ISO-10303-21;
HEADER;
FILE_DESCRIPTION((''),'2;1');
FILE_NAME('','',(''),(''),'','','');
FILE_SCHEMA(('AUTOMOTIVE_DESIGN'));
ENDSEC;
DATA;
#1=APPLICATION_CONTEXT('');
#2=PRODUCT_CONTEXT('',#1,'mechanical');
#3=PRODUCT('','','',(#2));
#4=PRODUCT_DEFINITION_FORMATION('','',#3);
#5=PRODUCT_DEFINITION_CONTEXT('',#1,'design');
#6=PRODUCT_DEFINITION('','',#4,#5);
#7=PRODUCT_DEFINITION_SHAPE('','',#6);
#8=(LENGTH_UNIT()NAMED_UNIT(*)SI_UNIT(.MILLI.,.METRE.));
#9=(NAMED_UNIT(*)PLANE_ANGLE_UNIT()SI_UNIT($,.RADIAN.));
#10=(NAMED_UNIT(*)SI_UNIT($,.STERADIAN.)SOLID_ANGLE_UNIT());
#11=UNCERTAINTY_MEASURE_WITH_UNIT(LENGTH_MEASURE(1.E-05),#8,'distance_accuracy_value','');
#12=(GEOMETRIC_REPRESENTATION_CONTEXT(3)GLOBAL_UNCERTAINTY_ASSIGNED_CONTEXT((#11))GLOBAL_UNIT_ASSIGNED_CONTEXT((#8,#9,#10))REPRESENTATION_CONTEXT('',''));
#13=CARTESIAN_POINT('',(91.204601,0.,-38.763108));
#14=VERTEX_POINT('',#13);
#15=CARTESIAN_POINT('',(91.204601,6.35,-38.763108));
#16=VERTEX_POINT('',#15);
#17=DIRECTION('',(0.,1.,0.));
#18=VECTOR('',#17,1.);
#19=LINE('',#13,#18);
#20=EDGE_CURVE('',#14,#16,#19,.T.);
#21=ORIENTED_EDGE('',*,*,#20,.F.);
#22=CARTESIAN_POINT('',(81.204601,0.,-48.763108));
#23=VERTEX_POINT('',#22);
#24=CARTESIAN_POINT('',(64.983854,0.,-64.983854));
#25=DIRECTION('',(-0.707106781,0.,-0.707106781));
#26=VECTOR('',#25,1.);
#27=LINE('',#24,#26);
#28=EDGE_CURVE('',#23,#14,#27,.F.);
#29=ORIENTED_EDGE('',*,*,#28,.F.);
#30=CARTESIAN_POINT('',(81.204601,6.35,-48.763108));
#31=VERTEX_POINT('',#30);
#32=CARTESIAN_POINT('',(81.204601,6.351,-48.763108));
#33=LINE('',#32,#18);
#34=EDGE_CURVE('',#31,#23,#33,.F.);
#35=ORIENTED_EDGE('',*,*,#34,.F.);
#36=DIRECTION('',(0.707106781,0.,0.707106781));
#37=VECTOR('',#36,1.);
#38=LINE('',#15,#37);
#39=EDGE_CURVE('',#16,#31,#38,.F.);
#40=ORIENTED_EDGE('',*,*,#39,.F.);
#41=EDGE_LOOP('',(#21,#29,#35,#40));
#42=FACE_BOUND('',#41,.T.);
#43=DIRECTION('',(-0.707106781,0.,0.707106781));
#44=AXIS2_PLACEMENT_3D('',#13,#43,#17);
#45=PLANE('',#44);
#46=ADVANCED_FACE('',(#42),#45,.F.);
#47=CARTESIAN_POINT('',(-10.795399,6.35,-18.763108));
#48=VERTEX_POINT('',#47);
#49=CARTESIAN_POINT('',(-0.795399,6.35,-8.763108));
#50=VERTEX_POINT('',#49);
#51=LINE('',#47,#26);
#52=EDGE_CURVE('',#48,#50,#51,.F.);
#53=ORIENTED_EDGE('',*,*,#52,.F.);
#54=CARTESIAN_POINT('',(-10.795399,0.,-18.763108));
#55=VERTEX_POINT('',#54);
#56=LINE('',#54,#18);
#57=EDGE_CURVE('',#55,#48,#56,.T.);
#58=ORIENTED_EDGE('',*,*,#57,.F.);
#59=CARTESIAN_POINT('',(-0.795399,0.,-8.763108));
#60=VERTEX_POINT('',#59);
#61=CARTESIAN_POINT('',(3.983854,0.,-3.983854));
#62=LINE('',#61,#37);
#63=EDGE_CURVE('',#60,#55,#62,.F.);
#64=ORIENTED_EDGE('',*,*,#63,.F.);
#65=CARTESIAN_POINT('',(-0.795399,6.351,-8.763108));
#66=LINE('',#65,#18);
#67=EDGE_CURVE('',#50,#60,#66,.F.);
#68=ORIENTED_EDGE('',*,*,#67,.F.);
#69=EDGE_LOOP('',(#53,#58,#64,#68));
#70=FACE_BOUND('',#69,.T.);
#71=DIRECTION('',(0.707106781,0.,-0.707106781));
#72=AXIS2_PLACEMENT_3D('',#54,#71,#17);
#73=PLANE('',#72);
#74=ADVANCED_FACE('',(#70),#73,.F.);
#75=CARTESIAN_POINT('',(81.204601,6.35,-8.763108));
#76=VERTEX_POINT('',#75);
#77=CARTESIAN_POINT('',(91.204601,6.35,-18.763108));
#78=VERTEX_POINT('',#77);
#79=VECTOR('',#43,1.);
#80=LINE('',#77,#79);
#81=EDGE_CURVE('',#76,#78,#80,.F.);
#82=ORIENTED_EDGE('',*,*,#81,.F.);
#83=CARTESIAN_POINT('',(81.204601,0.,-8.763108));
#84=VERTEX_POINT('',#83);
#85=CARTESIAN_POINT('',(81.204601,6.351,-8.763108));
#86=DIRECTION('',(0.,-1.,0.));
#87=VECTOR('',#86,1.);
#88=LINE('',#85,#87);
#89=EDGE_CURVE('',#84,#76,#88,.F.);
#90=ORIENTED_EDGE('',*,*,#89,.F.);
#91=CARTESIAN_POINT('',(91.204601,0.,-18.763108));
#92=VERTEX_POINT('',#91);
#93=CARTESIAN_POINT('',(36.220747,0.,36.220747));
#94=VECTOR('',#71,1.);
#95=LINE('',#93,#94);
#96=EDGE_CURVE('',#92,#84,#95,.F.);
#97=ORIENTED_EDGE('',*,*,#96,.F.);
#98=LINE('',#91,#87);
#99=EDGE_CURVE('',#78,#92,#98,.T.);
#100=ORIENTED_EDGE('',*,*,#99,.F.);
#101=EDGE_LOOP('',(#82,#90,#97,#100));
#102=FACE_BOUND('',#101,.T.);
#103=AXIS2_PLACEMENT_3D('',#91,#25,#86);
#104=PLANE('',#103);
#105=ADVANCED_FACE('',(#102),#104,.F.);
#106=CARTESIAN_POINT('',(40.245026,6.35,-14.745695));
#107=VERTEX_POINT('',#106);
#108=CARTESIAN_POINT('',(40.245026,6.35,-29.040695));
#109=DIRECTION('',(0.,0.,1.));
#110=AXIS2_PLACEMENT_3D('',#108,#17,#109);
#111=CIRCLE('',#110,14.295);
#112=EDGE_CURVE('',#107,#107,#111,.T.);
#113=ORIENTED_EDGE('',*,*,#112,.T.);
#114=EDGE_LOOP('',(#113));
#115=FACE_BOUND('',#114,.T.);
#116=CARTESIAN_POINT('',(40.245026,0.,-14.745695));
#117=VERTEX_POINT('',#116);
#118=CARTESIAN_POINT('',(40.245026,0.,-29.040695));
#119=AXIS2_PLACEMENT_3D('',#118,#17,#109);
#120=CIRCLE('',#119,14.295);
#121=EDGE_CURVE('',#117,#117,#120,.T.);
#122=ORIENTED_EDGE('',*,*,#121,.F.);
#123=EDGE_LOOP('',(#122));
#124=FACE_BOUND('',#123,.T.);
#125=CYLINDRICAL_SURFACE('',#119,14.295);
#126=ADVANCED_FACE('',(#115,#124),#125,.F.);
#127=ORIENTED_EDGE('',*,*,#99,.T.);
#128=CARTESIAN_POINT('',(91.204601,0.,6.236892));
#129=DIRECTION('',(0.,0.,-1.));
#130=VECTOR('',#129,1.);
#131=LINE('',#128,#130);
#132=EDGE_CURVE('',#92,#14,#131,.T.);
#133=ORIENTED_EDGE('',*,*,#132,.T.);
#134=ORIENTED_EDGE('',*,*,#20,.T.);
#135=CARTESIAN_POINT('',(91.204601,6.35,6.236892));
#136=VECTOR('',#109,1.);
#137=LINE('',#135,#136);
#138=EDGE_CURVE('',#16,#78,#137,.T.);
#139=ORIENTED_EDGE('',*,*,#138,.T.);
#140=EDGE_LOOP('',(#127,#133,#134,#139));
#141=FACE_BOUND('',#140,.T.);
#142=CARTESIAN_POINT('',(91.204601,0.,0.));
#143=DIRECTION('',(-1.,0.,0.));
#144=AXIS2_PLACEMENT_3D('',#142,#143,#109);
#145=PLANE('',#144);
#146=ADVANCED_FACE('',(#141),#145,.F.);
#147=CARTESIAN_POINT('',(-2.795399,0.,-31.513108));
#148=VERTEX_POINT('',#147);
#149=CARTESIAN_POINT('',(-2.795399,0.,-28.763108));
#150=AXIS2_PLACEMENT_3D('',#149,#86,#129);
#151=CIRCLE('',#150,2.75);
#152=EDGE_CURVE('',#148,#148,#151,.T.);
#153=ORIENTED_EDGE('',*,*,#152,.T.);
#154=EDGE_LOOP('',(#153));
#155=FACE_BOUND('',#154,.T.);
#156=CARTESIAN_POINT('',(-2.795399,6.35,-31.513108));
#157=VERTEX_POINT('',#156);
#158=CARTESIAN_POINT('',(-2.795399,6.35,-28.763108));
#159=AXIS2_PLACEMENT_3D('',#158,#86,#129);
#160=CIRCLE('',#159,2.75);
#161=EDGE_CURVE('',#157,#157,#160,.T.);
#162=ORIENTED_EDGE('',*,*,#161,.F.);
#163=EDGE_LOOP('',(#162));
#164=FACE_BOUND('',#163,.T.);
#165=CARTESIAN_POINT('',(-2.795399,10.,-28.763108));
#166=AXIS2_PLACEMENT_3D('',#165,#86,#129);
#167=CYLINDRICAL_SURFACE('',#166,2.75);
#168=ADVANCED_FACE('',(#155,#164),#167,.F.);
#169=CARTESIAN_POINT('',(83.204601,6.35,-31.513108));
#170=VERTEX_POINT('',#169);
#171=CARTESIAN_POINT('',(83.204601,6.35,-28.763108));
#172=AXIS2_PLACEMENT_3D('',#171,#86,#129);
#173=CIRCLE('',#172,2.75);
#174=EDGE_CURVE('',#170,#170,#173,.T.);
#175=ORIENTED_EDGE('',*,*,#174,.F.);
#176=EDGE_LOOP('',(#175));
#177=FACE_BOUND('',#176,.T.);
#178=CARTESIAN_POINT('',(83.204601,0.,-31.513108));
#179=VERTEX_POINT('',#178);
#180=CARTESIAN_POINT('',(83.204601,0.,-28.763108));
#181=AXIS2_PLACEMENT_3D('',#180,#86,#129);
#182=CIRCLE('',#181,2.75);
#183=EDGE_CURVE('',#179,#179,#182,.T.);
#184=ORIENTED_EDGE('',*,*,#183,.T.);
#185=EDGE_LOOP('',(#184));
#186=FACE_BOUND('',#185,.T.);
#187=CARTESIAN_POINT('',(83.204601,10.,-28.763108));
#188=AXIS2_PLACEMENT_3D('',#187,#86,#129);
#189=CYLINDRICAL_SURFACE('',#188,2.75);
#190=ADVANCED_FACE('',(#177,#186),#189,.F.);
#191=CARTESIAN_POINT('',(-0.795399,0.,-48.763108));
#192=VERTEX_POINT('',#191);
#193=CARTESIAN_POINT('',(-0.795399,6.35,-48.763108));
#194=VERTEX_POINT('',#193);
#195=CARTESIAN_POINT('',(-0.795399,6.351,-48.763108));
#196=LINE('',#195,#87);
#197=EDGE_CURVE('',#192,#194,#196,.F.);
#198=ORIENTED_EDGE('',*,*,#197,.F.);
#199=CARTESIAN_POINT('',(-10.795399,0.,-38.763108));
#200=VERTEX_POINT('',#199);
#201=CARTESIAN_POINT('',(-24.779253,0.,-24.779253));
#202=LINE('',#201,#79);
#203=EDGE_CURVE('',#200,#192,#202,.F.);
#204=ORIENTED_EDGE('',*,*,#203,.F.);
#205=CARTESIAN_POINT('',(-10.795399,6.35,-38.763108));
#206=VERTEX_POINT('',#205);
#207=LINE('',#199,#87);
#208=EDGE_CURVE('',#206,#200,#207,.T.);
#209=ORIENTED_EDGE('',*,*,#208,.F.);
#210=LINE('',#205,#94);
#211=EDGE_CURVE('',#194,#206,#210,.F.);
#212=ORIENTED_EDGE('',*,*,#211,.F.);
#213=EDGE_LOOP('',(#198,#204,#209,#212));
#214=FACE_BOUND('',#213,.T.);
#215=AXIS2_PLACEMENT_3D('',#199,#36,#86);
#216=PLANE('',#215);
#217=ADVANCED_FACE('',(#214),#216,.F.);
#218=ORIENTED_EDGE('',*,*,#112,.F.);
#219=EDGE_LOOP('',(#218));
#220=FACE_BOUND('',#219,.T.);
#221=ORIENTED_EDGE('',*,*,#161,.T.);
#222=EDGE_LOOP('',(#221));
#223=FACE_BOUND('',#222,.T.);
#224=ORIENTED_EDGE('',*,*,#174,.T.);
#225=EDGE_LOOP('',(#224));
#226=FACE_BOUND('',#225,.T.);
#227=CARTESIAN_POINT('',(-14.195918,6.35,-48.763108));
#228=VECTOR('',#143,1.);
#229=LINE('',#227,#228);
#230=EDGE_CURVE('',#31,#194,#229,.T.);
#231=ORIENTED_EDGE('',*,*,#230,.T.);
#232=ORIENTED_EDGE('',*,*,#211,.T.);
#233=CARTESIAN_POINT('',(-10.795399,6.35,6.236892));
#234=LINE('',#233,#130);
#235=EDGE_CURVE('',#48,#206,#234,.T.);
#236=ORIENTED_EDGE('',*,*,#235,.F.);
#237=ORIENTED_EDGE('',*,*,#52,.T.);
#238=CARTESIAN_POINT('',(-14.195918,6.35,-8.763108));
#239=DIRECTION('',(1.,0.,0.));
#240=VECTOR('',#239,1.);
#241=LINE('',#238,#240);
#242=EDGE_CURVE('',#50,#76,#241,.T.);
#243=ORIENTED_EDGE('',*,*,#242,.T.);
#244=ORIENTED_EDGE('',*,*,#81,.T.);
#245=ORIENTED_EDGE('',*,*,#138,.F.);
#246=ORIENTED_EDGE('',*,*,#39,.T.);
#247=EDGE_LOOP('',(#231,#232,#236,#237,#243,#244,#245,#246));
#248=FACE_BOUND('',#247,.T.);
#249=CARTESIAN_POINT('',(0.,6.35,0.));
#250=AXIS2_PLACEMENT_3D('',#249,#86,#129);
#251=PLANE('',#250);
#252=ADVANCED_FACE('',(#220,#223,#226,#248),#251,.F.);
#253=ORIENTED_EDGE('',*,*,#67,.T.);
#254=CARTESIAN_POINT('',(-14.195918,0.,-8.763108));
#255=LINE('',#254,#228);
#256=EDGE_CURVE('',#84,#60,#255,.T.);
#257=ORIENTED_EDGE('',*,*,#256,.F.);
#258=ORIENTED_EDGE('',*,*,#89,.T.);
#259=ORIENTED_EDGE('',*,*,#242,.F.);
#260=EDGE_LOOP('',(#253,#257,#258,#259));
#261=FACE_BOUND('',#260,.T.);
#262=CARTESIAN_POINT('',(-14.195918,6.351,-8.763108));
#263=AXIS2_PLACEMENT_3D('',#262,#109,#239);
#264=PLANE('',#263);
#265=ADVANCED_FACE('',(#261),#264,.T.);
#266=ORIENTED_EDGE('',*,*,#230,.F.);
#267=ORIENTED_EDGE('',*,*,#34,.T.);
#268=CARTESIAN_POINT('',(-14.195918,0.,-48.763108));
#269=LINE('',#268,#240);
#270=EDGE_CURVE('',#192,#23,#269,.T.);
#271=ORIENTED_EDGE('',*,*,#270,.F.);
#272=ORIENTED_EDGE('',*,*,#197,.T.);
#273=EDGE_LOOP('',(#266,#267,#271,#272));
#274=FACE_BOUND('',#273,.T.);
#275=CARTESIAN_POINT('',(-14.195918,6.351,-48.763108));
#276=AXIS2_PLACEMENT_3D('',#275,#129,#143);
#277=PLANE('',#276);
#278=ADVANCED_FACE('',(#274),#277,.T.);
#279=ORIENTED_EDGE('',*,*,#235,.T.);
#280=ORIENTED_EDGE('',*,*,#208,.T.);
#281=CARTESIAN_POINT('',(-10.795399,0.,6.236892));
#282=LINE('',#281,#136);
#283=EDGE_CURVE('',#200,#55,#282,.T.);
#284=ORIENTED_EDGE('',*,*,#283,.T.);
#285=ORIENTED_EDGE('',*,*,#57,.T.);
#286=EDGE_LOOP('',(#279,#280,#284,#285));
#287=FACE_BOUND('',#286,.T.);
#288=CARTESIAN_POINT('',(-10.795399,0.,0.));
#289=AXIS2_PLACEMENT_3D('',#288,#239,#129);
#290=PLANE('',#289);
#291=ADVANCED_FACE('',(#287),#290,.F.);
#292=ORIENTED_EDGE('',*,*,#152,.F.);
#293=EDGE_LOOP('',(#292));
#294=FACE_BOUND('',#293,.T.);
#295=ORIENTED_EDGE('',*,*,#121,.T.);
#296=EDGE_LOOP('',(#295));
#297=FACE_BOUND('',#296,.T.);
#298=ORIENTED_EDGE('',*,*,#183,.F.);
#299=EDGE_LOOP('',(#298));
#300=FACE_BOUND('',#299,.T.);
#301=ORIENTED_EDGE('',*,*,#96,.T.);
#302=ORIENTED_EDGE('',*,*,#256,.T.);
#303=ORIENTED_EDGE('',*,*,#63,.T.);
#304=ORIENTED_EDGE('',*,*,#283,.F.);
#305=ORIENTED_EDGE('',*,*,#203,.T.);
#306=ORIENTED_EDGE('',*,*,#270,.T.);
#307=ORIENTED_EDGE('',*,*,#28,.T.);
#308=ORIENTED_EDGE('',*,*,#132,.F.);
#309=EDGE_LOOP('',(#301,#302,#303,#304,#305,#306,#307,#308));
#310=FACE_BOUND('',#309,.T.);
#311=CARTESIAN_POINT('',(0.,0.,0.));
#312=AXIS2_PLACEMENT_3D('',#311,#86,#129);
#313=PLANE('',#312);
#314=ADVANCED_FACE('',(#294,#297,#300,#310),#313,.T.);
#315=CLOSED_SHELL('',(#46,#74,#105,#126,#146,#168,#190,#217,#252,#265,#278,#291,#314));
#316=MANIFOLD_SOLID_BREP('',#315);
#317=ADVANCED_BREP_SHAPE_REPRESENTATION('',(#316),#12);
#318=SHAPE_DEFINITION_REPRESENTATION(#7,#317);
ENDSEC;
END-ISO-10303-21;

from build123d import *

# Parameters (mm, degrees)
SKETCH1_W           = 82
SKETCH1_H           = 70
BOSS_EXTRUDE1_DEPTH = 6.35
SKETCH4_R           = 14.295
CUT_EXTRUDE3_DEPTH  = 7.35
SKETCH7_W           = 70
SKETCH7_H           = 6.35
BOSS_EXTRUDE2_DEPTH = 10
SKETCH8_W           = 70
SKETCH8_H           = 6.35
BOSS_EXTRUDE3_DEPTH = 10
SKETCH6_R           = 2.75
CUT_EXTRUDE4_DEPTH  = 10
CHAMFER1_SIZE       = 25
SKETCH9_OUTSIDE_W   = 128.774
SKETCH9_OUTSIDE_H   = 96.774
SKETCH9_OUTSIDE_W_2 = 112.086128576
SKETCH9_OUTSIDE_H_2 = 40
CUT_EXTRUDE6_DEPTH  = 6.35


with BuildPart() as part:
    # Sketch1 → Boss-Extrude1 (new body)
    with BuildSketch(Plane(origin=(0, 0, 0), x_dir=(1, 0, 0), z_dir=(0, 1, 0))):
        with Locations((40.204600864, 28.763107794)):
            Rectangle(SKETCH1_W, SKETCH1_H)
    extrude(amount=BOSS_EXTRUDE1_DEPTH)

    # Sketch4 → Cut-Extrude3 (cut, through all)
    with BuildSketch(Plane(origin=(0, 6.35, 0), x_dir=(1, 0, 0), z_dir=(0, 1, 0))):
        with Locations((40.245025705, 29.040694999)):
            Circle(SKETCH4_R)
    extrude(amount=-CUT_EXTRUDE3_DEPTH, mode=Mode.SUBTRACT)

    # Sketch7 → Boss-Extrude2 (add)
    with BuildSketch(Plane.ZY.offset(0.795399136)):
        with Locations((-28.763107794, 3.175)):
            Rectangle(SKETCH7_W, SKETCH7_H)
    extrude(amount=BOSS_EXTRUDE2_DEPTH)

    # Sketch8 → Boss-Extrude3 (add)
    with BuildSketch(Plane(origin=(81.204600864, 0, 0), x_dir=(0, 0, -1), z_dir=(1, 0, 0))):
        with Locations((28.763107794, 3.175)):
            Rectangle(SKETCH8_W, SKETCH8_H)
    extrude(amount=BOSS_EXTRUDE3_DEPTH)

    # Sketch6 → Cut-Extrude4 (cut)
    with BuildSketch(Plane.XZ):
        with Locations((-2.795399136, -28.763107793)):
            Circle(SKETCH6_R)
        with Locations((83.204600864, -28.763107784)):
            Circle(SKETCH6_R)
    extrude(amount=-CUT_EXTRUDE4_DEPTH, mode=Mode.SUBTRACT)

    # Chamfer1
    chamfer1_edges = [part.edges().sort_by_distance(p)[0] for p in [
        (-10.795399136, 3.175, 6.236892206),
        (-10.795399136, 3.175, -63.763107794),
        (91.204600864, 3.175, 6.236892206),
        (91.204600864, 3.175, -63.763107794),
    ]]
    chamfer(chamfer1_edges, length=CHAMFER1_SIZE)

    # Sketch9 outside → Cut-Extrude6 (cut)
    with BuildSketch(Plane.XZ):
        with Locations((40.205, -28.763)):
            Rectangle(SKETCH9_OUTSIDE_W, SKETCH9_OUTSIDE_H)
        with Locations((41.847145894, -28.763107784)):
            Rectangle(SKETCH9_OUTSIDE_W_2, SKETCH9_OUTSIDE_H_2, mode=Mode.SUBTRACT)
    extrude(amount=-CUT_EXTRUDE6_DEPTH, mode=Mode.SUBTRACT)


solid = part.part
